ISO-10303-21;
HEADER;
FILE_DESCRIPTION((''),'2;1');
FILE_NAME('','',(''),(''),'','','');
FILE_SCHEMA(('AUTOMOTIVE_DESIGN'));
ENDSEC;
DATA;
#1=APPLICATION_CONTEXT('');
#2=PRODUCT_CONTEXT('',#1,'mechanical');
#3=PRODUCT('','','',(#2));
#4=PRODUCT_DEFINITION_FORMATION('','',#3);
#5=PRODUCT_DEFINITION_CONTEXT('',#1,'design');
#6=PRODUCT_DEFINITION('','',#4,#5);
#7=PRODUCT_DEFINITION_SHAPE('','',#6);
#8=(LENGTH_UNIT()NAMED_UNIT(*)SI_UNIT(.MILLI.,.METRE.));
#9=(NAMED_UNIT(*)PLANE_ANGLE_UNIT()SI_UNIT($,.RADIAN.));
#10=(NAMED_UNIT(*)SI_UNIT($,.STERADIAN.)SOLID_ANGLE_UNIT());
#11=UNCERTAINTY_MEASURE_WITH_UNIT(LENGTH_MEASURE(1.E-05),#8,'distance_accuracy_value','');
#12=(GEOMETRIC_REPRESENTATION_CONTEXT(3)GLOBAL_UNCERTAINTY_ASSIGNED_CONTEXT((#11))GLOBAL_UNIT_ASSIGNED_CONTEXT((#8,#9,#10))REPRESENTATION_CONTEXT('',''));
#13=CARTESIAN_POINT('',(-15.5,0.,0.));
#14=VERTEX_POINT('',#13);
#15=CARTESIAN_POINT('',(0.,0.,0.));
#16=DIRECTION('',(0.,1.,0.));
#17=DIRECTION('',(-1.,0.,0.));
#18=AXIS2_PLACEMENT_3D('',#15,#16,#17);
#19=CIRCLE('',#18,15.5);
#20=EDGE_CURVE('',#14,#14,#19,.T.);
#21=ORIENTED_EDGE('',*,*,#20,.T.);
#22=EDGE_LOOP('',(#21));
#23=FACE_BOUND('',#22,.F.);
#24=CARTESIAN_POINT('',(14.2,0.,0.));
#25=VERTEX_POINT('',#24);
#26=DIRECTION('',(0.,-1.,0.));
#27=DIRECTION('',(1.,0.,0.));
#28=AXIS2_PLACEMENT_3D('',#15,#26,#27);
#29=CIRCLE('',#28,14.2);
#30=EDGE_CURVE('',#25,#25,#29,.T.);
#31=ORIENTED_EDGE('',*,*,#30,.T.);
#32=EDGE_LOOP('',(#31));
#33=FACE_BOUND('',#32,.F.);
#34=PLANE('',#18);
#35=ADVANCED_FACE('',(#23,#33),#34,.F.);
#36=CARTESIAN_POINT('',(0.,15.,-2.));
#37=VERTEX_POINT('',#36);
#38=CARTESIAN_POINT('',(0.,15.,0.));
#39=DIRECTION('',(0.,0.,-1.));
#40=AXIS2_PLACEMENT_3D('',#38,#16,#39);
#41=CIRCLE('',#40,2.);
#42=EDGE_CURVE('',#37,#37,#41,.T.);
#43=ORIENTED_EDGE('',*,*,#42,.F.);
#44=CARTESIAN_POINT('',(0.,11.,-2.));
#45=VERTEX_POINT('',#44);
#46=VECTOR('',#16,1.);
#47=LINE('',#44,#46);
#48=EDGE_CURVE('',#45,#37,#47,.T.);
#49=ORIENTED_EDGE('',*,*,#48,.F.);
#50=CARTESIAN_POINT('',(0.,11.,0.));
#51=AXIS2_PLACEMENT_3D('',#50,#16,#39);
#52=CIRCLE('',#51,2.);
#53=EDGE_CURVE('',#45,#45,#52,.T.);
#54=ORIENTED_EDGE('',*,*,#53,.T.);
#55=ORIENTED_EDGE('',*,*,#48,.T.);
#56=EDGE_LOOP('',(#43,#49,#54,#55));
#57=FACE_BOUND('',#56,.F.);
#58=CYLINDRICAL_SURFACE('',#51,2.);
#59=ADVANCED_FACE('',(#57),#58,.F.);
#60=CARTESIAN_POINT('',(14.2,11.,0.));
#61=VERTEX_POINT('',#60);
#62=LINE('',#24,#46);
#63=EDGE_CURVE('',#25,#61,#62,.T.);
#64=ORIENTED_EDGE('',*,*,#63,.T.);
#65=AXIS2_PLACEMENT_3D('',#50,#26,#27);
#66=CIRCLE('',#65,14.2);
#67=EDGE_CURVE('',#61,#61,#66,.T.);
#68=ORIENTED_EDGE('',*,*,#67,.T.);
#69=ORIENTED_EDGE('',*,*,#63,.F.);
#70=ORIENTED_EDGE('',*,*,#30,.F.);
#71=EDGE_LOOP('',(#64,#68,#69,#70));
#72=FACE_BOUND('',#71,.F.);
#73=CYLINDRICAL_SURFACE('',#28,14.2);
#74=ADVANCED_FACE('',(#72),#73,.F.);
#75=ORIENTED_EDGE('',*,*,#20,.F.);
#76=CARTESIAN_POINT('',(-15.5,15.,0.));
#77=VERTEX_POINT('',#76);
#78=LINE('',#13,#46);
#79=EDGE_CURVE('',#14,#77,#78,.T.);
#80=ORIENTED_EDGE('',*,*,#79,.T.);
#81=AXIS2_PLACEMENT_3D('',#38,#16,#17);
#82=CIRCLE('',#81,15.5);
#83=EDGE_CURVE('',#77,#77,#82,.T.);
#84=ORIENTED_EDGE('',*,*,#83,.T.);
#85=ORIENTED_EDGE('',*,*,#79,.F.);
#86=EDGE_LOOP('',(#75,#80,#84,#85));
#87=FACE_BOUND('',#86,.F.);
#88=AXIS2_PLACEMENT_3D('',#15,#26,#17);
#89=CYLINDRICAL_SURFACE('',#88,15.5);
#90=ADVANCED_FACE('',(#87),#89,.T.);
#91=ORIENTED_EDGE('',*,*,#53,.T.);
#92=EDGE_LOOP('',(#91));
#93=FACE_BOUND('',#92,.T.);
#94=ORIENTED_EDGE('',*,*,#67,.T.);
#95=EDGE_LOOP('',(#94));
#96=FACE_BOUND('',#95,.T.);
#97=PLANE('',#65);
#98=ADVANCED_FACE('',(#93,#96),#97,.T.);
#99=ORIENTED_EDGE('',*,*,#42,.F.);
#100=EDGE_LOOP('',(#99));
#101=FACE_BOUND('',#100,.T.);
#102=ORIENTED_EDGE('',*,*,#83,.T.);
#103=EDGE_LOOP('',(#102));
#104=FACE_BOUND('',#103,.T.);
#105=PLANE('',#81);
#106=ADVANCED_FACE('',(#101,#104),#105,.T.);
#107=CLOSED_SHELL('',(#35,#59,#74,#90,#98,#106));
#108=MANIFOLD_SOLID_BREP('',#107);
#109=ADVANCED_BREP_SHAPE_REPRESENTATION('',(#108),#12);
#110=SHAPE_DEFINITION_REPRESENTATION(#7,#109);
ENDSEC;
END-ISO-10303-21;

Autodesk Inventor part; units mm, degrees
ref_plane "YZ Plane" through (0, 0, 0) normal (1, 0, 0) x (0, 1, 0)
ref_plane "XZ Plane" through (0, 0, 0) normal (0, 1, 0) x (-1, 0, 0)
ref_plane "XY Plane" through (0, 0, 0) normal (0, 0, 1) x (1, 0, 0)
sketch "Sketch1" plane through (0, 0, 0) normal (0, 1, 0) x (-1, 0, 0)
  circle A0 centre (0, 0) radius 15.5
  dimension "d0" = 31
extrude "Extrusion1" add sketch "Sketch1" along normal blind 15
sketch "Sketch2" plane through (0, 0, 0) normal (0, -1, 0) x (1, 0, 0)
  circle A0 centre (0, 0) radius 14.2
  dimension "d3" = 28.4
extrude "Extrusion2" cut sketch "Sketch2" against normal blind 11
sketch "Sketch4" plane through (0, 11, 0) normal (0, -1, 0) x (1, 0, 0)
  point P0 (0, 0)
hole "Hole1" at (0, 11, 0) direction (0, 1, 0) diameter 4 depth 4 tip angle 118
properties part number "_3DPrint"
